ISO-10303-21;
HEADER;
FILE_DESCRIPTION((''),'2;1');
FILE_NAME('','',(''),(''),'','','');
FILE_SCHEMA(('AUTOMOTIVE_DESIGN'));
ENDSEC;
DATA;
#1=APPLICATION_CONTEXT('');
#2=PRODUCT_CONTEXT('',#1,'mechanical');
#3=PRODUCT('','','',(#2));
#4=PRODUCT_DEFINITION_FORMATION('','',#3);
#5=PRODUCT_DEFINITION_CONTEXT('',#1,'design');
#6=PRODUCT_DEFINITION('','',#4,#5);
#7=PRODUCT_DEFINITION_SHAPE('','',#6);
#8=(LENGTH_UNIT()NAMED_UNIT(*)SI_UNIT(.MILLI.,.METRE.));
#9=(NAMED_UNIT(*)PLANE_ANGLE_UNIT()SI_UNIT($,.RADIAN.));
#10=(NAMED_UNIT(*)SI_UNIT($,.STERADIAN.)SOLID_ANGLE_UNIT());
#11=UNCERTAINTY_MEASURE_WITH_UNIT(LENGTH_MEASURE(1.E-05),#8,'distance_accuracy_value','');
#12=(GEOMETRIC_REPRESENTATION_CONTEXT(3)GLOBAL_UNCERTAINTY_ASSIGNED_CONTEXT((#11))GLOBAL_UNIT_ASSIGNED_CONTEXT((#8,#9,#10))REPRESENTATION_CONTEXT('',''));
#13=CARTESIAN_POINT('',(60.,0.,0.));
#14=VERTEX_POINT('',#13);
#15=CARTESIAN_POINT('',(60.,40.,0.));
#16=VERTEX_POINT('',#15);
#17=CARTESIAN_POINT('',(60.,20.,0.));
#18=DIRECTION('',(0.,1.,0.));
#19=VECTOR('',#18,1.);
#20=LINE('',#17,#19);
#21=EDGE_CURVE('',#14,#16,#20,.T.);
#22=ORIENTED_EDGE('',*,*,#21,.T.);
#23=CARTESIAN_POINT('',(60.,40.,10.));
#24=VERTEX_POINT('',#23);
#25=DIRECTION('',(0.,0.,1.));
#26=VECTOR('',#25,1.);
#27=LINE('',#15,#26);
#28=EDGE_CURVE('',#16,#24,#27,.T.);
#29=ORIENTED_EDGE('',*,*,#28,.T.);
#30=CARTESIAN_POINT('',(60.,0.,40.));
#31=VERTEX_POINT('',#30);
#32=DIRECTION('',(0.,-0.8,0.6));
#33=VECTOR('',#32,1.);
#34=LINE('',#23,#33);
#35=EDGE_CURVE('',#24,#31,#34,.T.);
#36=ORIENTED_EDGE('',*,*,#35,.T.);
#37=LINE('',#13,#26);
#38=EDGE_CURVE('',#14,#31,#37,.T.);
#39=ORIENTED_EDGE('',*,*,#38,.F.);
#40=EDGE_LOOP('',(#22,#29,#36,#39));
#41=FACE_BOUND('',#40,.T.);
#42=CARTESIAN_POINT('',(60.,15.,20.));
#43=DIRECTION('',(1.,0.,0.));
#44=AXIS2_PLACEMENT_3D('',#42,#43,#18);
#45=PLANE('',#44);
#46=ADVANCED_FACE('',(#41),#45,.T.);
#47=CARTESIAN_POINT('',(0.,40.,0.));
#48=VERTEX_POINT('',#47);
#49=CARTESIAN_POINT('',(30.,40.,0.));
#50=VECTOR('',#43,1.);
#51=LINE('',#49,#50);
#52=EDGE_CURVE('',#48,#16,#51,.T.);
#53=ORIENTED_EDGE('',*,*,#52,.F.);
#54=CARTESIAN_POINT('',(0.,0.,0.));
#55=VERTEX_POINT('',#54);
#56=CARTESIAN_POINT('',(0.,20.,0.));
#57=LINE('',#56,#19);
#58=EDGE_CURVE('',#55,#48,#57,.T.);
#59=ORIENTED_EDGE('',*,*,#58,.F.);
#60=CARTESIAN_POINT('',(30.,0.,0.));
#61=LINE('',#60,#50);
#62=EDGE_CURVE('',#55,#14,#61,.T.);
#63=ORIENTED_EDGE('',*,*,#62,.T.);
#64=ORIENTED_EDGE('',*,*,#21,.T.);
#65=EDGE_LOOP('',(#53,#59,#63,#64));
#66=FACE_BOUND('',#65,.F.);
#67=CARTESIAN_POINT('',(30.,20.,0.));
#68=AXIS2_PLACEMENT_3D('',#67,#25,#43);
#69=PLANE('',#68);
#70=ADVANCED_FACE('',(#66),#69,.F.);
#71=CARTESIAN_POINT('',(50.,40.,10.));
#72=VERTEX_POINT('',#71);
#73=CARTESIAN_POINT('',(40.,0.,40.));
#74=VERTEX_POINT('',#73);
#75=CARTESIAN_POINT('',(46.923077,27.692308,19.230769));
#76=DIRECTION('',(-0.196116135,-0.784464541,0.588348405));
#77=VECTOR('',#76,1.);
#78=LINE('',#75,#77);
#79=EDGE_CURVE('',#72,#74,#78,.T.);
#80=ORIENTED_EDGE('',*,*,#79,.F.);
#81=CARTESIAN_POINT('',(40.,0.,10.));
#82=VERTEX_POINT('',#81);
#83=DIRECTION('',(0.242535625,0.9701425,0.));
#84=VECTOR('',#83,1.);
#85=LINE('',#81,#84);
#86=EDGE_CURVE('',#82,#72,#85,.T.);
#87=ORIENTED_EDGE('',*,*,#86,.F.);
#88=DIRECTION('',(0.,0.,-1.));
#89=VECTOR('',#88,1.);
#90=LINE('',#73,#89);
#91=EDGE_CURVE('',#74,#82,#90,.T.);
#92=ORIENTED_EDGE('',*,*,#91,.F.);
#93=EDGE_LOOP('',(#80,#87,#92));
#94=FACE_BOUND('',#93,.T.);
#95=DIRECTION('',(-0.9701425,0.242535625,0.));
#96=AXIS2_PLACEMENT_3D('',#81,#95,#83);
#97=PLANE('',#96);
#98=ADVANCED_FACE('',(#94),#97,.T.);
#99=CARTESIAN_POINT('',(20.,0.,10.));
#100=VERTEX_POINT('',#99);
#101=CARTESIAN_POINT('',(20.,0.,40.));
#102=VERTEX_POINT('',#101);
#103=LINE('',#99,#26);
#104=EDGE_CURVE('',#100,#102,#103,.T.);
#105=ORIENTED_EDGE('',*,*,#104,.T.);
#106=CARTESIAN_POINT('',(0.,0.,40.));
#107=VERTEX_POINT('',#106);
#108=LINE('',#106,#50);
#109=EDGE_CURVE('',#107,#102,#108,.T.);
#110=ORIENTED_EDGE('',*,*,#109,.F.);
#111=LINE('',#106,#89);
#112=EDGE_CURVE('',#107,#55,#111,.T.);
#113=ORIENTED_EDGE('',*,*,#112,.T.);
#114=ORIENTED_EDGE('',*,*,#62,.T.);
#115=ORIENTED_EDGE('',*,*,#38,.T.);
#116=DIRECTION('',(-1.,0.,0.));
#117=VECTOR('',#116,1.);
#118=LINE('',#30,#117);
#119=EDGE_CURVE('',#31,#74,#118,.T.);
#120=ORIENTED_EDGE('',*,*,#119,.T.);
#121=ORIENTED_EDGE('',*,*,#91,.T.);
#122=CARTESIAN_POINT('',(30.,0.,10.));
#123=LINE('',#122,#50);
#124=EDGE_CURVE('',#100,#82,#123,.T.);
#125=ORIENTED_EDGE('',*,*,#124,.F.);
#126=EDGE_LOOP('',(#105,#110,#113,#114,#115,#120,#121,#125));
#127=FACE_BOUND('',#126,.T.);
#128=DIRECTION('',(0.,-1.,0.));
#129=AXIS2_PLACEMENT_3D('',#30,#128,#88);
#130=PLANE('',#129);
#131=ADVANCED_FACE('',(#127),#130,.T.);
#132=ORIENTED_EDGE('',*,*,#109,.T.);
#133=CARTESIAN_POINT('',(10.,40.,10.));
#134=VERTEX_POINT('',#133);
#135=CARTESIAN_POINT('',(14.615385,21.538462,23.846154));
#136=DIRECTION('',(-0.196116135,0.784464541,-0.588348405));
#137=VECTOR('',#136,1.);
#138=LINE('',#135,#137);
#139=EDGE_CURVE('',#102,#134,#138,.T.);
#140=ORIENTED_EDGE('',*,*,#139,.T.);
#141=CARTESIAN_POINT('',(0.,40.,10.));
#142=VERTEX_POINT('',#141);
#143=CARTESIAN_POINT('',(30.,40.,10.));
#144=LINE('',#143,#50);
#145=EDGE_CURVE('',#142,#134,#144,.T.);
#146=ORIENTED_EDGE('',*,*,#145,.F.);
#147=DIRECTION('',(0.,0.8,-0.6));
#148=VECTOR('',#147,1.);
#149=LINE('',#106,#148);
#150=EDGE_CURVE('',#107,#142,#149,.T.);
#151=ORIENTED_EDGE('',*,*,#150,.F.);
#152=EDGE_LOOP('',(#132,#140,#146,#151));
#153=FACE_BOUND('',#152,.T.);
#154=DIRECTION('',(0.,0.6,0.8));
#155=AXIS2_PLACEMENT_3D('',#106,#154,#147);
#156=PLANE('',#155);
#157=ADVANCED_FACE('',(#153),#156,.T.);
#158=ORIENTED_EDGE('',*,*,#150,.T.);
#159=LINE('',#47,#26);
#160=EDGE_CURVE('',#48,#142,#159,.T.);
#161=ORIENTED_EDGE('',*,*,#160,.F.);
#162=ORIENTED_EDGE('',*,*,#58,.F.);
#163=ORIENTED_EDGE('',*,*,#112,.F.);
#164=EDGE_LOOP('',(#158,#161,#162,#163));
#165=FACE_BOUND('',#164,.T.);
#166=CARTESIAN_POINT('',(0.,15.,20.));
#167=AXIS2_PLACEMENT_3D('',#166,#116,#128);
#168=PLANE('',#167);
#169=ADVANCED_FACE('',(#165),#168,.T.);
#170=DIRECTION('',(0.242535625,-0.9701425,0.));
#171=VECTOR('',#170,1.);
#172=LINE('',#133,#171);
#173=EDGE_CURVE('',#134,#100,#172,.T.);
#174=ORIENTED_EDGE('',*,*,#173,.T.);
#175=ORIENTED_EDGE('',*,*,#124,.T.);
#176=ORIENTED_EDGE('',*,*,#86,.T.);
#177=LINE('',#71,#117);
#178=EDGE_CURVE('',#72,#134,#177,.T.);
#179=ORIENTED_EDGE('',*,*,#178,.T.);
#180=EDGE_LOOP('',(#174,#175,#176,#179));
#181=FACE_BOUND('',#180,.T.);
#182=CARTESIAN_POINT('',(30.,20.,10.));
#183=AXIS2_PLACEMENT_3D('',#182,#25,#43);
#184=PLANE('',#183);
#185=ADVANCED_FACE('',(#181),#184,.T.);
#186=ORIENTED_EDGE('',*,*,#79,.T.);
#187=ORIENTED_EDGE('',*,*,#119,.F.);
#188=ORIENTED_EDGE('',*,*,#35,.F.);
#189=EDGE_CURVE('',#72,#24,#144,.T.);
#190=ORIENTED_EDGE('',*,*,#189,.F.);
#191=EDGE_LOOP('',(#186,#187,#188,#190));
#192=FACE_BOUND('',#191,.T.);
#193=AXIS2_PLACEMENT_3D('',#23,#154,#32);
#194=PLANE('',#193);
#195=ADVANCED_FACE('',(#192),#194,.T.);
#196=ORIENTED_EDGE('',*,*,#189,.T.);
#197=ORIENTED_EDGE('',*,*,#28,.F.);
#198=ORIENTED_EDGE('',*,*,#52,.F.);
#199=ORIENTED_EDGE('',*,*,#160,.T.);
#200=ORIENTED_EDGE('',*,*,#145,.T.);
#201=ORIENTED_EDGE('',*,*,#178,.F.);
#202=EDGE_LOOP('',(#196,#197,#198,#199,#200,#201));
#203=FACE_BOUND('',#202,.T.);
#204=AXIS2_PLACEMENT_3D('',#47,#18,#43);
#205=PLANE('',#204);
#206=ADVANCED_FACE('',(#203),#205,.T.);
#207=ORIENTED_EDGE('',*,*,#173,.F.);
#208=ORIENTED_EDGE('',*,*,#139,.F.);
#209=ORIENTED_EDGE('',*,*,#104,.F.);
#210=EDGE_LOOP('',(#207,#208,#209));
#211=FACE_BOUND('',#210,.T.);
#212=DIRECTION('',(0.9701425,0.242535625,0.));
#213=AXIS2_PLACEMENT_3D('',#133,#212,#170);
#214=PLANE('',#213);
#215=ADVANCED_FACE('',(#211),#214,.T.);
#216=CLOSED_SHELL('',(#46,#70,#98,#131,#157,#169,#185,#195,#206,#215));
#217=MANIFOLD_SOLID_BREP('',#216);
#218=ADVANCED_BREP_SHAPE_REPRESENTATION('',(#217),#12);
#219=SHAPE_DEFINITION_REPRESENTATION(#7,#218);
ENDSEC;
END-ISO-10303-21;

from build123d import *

# Parameters (mm, degrees)
F0_W     = 60
F0_H     = 40
F1_DEPTH = 10
F3_DEPTH = 20
F5_DEPTH = 20
F7_DEPTH = 30
F9_DEPTH = 30


with BuildPart() as f1:
    # F0 (on Top) → F1 (new body)
    with BuildSketch(Plane.XY):
        with Locations((30, 20)):
            Rectangle(F0_W, F0_H)
    extrude(amount=F1_DEPTH)

    # F2 (on face) → F3 (join)
    with BuildSketch(Plane(origin=(0, 0, 0), x_dir=(0, -1, 0), z_dir=(-1, 0, 0))):
        Polygon((-40, 10), (0, 10), (0, 40), align=None)
    extrude(amount=-F3_DEPTH)

    # F4 (on face) → F5 (join)
    with BuildSketch(Plane.YZ.offset(60)):
        Polygon((0, 40), (0, 10), (40, 10), align=None)
    extrude(amount=-F5_DEPTH)

    # F6 (on face) → F7 (cut)
    with BuildSketch(Plane.XY.offset(10)):
        Polygon((10, 40), (20, 0), (20, 40), align=None)
    extrude(amount=F7_DEPTH, mode=Mode.SUBTRACT)

    # F8 (on face) → F9 (cut)
    with BuildSketch(Plane.XY.offset(10)):
        Polygon((40, 40), (40, 0), (50, 40), align=None)
    extrude(amount=F9_DEPTH, mode=Mode.SUBTRACT)


solid = f1.part
